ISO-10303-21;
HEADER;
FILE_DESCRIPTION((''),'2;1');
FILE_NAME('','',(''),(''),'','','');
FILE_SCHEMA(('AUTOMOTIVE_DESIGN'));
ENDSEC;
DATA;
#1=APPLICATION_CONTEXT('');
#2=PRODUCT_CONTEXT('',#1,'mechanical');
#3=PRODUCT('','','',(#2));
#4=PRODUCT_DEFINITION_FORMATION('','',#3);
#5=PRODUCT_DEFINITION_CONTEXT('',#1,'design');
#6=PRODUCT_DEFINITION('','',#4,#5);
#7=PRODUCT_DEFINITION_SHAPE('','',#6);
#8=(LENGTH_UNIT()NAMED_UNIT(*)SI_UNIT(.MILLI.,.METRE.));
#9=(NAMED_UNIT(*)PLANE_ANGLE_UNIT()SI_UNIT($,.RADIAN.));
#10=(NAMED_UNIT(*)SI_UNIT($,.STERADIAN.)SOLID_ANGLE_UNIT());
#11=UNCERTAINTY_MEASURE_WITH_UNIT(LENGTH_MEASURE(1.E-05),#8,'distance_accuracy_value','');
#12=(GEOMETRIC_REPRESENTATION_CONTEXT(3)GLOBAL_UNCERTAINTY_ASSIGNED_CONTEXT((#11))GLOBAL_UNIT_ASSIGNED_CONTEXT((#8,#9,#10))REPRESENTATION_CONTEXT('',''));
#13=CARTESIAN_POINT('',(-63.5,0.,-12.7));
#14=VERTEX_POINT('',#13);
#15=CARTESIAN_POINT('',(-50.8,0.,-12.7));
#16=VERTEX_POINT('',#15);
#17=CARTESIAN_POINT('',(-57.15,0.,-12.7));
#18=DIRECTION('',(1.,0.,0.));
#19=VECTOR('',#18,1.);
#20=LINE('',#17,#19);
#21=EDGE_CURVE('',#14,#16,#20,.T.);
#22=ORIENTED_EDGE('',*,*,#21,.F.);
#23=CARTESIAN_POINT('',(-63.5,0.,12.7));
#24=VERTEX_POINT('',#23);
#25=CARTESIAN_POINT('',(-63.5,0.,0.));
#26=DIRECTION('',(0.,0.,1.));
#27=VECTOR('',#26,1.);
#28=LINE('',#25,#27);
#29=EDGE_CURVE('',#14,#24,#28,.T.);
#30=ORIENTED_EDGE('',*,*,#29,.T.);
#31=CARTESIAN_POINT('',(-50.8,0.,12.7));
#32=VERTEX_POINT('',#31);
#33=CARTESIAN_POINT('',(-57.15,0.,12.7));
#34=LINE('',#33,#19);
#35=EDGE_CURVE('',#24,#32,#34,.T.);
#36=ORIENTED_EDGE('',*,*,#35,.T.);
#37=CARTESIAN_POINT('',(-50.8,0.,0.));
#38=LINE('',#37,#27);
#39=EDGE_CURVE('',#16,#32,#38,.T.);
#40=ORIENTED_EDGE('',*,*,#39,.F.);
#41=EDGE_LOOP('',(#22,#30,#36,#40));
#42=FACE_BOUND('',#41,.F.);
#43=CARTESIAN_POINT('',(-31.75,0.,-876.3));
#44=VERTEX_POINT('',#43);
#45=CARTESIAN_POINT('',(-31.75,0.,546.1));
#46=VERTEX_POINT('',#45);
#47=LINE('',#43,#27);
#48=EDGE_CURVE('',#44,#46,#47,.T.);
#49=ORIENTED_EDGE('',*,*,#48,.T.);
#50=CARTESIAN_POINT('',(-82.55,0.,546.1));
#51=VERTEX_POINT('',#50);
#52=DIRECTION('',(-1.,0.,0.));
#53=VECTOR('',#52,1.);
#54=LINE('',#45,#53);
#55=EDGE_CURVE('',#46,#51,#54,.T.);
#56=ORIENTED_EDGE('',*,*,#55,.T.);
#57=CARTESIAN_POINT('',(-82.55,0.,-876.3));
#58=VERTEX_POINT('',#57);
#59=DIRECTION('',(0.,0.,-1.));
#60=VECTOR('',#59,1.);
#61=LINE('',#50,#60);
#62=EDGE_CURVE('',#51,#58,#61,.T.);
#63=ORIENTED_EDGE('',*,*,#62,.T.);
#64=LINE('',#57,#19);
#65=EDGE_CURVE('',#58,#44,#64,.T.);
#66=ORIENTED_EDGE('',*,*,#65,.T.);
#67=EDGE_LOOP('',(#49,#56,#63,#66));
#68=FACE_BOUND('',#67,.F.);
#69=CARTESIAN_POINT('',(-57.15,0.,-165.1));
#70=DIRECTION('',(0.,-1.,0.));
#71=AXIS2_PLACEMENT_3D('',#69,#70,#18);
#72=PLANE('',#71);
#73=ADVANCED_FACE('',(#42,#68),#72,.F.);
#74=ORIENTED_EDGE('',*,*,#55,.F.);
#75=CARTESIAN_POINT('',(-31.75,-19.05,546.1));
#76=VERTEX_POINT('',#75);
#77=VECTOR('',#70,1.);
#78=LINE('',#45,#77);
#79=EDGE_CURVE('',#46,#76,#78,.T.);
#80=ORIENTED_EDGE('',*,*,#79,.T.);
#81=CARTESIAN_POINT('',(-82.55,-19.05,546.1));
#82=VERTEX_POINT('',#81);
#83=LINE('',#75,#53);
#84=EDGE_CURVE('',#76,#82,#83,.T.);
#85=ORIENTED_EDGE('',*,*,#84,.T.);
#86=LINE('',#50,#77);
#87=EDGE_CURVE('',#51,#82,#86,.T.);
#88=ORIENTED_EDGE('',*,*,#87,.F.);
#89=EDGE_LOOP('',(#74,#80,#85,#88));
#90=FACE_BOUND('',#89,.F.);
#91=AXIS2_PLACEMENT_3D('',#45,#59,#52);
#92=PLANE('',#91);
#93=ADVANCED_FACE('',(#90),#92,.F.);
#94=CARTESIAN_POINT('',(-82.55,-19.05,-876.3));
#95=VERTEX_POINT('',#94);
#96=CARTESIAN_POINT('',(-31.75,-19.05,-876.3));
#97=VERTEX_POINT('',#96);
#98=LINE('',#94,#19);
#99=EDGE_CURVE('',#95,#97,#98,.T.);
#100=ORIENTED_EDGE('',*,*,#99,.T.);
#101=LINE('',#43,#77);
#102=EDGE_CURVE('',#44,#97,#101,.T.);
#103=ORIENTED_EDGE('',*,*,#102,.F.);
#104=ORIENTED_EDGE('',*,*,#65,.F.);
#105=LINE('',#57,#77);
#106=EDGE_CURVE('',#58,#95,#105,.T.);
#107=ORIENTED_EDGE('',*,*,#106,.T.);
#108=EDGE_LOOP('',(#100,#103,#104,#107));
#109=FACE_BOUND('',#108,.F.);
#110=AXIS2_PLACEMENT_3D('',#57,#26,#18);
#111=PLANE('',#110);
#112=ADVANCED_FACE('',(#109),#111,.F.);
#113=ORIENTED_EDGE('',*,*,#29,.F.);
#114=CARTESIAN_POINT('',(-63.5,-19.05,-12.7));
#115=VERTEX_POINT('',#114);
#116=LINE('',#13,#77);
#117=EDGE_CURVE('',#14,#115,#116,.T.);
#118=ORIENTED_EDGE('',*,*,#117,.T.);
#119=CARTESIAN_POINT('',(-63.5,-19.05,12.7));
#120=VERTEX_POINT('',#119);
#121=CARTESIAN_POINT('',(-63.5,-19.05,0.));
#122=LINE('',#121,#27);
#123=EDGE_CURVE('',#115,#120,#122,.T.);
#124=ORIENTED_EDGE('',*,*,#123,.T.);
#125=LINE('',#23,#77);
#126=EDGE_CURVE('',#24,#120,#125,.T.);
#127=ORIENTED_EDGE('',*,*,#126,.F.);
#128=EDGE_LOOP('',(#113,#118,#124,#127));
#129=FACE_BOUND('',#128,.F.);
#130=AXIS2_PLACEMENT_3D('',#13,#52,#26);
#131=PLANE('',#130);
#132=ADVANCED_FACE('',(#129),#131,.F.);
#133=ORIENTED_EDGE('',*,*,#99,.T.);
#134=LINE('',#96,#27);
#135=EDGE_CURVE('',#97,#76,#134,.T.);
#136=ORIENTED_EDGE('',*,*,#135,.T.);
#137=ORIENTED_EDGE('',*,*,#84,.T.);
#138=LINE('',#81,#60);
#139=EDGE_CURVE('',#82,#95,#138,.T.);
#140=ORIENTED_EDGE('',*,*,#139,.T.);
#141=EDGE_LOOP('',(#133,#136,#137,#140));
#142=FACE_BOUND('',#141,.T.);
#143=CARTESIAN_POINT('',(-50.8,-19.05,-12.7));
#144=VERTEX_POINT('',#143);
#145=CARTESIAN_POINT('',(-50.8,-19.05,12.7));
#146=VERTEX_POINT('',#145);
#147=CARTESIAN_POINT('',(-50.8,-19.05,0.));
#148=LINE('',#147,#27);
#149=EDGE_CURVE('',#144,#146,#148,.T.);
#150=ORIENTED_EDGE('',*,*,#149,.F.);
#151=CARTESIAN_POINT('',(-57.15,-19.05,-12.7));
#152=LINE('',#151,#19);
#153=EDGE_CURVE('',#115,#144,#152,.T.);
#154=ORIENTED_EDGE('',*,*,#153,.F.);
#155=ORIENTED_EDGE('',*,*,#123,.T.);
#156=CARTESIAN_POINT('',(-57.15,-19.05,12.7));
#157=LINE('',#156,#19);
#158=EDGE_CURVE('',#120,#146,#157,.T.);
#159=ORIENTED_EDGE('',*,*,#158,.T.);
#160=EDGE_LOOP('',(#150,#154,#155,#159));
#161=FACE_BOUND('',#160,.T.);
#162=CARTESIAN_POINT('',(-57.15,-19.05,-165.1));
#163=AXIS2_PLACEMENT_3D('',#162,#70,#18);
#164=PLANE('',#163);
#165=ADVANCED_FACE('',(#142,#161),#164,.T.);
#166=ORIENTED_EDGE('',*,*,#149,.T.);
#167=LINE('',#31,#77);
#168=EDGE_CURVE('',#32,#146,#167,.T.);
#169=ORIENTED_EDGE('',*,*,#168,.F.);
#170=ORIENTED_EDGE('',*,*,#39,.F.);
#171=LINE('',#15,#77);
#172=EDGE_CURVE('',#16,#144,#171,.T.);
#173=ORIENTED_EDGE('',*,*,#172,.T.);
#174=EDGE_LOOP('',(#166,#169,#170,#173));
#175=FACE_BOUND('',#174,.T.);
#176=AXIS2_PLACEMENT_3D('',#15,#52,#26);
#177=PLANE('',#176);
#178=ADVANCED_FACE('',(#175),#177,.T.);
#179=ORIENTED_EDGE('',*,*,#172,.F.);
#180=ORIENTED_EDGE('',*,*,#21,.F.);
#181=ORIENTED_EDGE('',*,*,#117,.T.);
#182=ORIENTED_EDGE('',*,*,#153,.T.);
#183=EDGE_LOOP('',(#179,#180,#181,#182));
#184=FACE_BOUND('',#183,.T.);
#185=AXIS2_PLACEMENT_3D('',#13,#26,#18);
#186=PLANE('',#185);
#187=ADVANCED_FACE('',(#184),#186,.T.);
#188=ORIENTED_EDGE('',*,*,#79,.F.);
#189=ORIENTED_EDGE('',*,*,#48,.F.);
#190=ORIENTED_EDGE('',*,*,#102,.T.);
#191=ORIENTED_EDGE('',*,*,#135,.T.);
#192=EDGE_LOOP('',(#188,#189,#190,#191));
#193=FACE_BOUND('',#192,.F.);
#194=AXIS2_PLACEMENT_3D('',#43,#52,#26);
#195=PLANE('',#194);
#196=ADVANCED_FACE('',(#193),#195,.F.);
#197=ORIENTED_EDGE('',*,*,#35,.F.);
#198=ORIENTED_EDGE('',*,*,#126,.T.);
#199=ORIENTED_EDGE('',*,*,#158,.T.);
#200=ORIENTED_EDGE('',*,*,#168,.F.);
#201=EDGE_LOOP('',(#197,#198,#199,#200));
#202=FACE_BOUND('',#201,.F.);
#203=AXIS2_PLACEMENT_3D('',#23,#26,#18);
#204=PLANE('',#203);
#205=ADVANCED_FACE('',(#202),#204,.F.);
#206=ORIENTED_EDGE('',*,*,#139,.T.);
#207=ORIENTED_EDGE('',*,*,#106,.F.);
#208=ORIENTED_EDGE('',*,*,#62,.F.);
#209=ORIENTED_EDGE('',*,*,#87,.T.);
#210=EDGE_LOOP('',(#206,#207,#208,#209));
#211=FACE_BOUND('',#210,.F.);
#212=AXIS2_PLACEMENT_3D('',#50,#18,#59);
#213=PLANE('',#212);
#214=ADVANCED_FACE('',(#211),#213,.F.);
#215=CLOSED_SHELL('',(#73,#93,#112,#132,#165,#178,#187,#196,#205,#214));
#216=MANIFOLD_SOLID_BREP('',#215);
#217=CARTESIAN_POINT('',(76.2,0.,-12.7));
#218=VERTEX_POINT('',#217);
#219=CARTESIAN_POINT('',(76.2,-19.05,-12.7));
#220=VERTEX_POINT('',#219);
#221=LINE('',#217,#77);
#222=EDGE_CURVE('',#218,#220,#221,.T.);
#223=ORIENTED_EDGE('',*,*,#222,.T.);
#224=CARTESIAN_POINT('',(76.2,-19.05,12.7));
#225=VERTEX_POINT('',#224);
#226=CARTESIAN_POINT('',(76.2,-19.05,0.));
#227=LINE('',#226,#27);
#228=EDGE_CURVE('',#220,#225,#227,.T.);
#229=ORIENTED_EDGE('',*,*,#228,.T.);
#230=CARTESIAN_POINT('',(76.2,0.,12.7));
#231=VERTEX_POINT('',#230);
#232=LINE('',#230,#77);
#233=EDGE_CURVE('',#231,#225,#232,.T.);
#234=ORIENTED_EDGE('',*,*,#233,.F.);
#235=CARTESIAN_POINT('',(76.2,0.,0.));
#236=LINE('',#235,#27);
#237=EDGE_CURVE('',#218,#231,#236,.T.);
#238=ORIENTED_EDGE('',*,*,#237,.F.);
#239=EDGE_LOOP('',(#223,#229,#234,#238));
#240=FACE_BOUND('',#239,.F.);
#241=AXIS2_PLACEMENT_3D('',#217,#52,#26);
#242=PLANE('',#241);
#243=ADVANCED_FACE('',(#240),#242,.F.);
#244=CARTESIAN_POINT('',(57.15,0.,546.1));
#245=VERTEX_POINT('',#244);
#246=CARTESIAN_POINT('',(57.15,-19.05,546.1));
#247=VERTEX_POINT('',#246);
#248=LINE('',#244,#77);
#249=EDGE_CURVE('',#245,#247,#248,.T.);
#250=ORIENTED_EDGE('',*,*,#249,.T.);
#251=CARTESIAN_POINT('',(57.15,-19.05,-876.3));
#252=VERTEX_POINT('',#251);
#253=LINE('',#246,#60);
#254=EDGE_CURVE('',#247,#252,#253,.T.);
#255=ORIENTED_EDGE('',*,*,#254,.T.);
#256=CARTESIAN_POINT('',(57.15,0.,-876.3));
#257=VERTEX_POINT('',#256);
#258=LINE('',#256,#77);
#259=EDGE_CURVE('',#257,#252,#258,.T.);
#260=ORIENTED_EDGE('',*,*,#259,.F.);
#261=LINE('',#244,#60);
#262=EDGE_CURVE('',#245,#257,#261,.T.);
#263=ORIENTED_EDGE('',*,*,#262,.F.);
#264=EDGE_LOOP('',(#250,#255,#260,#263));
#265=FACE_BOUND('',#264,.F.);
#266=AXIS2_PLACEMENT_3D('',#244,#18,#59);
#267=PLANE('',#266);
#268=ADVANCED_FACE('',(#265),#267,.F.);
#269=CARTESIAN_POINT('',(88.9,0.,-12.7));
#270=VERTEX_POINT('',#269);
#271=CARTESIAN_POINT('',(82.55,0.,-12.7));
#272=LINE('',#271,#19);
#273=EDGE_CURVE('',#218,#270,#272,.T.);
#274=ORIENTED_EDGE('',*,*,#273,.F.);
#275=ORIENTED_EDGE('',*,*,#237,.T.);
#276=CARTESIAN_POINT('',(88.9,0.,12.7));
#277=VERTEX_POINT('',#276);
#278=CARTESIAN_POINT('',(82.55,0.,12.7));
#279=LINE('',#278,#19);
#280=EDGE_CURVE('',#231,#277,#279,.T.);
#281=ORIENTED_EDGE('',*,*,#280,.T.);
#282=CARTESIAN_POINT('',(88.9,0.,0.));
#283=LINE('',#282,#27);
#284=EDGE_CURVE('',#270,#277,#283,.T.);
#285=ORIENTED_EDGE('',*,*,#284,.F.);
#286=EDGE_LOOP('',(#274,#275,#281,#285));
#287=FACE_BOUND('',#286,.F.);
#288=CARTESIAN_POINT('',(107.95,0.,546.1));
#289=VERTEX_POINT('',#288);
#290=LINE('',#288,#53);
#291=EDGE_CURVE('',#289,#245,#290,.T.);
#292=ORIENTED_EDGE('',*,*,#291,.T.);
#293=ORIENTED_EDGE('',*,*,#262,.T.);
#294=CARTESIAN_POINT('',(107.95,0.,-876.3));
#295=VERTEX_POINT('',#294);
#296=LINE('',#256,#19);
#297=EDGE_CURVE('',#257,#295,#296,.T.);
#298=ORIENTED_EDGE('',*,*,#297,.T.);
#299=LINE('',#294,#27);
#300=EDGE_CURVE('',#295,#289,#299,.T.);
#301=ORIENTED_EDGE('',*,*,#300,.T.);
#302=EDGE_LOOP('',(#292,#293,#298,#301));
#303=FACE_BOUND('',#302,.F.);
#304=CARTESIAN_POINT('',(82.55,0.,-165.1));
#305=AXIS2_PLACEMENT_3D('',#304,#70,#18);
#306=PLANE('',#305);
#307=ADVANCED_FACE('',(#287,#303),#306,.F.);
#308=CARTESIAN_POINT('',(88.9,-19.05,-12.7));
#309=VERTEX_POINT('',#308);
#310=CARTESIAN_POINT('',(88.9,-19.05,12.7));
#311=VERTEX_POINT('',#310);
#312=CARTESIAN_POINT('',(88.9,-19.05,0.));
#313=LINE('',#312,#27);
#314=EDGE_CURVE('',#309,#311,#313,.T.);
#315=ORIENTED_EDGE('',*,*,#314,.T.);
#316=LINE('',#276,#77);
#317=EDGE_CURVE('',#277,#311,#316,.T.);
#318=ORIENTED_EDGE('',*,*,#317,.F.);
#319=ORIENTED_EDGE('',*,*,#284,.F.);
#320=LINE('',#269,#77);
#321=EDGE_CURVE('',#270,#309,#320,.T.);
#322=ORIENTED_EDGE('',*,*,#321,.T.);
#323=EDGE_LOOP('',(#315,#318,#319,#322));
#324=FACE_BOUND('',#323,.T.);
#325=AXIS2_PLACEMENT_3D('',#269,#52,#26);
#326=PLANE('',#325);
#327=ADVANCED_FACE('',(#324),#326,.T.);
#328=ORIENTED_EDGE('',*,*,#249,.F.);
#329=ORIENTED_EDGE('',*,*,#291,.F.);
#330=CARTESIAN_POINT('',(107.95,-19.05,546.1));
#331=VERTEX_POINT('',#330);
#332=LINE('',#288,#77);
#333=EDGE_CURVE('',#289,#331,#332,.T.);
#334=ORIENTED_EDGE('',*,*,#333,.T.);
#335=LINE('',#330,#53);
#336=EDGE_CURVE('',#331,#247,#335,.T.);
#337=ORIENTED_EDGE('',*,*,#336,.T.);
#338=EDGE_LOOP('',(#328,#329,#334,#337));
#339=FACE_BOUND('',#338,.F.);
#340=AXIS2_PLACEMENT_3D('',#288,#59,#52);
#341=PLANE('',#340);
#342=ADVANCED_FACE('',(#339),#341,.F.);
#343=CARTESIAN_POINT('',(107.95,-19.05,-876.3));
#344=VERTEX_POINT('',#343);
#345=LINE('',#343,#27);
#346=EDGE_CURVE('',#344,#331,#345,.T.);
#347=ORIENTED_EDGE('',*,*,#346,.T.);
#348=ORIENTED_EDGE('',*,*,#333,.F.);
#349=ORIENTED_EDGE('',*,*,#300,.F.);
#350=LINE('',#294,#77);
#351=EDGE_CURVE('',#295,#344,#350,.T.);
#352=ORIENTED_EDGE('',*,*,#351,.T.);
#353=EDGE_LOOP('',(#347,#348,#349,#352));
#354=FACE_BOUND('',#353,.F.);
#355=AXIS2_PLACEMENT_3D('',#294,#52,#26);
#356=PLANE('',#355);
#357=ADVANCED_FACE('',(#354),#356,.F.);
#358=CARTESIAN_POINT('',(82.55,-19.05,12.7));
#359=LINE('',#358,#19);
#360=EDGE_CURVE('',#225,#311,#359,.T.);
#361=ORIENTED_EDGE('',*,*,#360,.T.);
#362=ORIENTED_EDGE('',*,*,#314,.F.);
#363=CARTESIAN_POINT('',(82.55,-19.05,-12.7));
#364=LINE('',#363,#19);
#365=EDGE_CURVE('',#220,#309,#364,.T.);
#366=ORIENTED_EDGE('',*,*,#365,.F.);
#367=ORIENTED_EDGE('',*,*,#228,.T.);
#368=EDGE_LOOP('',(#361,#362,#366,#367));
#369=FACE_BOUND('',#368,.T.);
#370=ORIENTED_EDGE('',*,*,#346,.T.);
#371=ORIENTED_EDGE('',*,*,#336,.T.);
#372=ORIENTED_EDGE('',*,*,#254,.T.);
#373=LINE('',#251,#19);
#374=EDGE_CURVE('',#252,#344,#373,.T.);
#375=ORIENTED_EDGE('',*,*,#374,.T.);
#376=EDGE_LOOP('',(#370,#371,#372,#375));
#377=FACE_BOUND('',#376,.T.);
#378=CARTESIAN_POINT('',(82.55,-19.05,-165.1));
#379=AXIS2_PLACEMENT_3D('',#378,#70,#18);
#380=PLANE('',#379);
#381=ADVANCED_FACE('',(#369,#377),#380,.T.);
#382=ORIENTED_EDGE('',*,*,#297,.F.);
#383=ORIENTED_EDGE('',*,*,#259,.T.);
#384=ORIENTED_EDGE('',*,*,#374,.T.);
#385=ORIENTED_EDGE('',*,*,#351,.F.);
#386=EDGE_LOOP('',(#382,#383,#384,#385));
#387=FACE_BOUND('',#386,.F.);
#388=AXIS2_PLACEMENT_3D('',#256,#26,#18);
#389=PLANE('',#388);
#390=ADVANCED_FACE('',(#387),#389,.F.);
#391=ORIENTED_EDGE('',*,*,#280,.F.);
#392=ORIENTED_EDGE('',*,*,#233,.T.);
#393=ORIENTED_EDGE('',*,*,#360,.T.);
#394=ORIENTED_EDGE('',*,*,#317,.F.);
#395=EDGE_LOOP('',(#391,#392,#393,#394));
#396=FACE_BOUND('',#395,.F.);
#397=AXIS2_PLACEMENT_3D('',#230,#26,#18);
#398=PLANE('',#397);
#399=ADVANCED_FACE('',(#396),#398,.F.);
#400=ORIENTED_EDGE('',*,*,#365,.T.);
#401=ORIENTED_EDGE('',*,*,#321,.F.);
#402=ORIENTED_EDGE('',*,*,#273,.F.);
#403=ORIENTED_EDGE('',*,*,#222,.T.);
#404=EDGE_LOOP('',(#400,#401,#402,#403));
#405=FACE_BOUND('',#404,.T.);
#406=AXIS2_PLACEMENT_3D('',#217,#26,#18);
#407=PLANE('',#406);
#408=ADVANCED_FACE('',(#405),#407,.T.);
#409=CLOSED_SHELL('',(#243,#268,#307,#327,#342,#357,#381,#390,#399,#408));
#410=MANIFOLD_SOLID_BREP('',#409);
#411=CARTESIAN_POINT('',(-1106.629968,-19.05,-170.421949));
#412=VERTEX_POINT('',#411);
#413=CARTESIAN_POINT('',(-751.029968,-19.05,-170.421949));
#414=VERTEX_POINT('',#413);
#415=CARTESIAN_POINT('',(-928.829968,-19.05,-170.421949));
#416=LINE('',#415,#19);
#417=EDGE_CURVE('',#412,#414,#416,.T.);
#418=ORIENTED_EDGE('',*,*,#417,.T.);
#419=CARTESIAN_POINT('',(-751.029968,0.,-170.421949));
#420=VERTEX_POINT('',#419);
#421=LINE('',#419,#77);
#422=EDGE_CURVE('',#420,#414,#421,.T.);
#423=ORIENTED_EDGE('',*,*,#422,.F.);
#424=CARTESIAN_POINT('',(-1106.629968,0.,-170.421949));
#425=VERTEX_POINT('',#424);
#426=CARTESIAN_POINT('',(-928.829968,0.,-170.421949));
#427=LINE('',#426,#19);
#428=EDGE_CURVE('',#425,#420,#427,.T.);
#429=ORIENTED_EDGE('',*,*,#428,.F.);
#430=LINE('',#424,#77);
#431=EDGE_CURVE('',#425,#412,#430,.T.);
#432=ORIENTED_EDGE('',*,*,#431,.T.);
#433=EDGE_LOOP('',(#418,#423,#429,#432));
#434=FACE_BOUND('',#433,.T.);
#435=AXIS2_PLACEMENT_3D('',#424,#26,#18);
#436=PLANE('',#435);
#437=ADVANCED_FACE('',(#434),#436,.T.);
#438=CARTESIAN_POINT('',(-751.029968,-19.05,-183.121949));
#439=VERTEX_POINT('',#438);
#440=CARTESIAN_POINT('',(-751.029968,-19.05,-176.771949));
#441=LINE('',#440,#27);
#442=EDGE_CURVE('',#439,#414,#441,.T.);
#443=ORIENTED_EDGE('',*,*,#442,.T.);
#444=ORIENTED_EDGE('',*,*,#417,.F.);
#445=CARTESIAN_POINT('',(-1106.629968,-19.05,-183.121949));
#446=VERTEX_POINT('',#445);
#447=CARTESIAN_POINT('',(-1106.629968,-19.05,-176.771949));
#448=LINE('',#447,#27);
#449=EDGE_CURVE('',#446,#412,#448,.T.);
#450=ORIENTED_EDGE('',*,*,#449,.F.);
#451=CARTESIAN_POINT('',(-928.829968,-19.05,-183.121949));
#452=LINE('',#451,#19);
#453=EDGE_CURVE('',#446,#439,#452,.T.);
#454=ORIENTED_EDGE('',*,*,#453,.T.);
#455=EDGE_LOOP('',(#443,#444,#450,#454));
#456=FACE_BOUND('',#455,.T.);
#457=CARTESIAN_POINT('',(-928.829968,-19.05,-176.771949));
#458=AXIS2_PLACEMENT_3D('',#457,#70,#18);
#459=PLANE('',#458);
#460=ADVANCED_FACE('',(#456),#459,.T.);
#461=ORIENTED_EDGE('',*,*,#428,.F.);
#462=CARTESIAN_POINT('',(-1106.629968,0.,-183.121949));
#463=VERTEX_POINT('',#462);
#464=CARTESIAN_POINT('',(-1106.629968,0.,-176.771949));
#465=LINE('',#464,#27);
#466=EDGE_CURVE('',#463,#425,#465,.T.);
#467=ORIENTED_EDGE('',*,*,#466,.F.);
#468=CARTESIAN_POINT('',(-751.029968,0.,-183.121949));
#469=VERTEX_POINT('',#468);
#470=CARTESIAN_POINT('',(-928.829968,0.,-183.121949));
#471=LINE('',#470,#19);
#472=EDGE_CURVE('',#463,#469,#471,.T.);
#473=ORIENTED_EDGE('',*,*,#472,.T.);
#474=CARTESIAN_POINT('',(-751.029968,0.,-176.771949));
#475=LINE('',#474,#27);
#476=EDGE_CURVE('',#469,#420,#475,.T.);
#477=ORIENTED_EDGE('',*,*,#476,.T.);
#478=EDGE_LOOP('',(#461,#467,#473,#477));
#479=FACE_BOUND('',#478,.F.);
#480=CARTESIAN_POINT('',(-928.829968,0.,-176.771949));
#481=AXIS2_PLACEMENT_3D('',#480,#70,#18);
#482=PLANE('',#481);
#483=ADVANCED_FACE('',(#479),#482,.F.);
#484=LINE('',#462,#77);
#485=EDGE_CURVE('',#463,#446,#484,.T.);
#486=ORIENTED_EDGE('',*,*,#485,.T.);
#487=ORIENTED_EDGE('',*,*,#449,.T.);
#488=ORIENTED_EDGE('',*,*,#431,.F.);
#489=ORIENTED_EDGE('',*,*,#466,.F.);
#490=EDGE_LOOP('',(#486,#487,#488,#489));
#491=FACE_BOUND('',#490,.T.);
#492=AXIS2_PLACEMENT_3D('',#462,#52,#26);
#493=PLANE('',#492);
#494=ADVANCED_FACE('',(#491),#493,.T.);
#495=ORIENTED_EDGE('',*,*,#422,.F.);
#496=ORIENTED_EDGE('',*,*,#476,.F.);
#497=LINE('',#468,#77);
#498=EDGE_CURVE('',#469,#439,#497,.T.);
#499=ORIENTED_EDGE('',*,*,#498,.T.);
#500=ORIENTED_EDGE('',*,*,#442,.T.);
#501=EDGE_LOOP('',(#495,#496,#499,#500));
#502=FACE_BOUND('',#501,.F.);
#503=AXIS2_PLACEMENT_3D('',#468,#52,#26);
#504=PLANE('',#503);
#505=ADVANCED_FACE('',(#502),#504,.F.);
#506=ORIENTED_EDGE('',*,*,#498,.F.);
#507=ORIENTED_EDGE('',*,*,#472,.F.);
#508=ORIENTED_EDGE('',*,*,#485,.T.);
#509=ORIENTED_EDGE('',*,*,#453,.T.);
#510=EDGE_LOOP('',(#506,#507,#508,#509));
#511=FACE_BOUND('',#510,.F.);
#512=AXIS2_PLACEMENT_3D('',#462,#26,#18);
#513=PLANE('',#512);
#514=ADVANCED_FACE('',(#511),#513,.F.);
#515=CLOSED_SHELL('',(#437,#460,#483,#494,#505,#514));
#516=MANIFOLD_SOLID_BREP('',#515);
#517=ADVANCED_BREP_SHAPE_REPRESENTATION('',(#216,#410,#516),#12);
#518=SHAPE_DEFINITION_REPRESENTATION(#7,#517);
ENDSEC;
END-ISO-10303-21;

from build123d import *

# Parameters (mm, degrees)
F0_W     = 12.7
F0_H     = 25.4
F0_W_2   = 355.6
F0_H_2   = 12.7
F1_DEPTH = 19.05


with BuildPart() as f1:
    # F0 (on Front) → F1 (new body)
    with BuildSketch(Plane.XZ):
        Polygon((57.15, 546.1), (57.15, 12.7), (57.15, -12.7), (57.15, -876.3), (107.95, -876.3), (107.95, -12.7), (107.95, 12.7), (107.95, 546.1), align=None)
        with Locations((82.55, 0)):
            Rectangle(F0_W, F0_H, mode=Mode.SUBTRACT)
        Polygon((-31.75, 546.1), (-82.55, 546.1), (-82.55, 12.7), (-82.55, -12.7), (-82.55, -876.3), (-31.75, -876.3), (-31.75, -12.7), (-31.75, 12.7), align=None)
        with Locations((-57.15, 0)):
            Rectangle(F0_W, F0_H, mode=Mode.SUBTRACT)
        with Locations((-928.829968, -176.771949)):
            Rectangle(F0_W_2, F0_H_2)
    extrude(amount=F1_DEPTH)


solid = f1.part
